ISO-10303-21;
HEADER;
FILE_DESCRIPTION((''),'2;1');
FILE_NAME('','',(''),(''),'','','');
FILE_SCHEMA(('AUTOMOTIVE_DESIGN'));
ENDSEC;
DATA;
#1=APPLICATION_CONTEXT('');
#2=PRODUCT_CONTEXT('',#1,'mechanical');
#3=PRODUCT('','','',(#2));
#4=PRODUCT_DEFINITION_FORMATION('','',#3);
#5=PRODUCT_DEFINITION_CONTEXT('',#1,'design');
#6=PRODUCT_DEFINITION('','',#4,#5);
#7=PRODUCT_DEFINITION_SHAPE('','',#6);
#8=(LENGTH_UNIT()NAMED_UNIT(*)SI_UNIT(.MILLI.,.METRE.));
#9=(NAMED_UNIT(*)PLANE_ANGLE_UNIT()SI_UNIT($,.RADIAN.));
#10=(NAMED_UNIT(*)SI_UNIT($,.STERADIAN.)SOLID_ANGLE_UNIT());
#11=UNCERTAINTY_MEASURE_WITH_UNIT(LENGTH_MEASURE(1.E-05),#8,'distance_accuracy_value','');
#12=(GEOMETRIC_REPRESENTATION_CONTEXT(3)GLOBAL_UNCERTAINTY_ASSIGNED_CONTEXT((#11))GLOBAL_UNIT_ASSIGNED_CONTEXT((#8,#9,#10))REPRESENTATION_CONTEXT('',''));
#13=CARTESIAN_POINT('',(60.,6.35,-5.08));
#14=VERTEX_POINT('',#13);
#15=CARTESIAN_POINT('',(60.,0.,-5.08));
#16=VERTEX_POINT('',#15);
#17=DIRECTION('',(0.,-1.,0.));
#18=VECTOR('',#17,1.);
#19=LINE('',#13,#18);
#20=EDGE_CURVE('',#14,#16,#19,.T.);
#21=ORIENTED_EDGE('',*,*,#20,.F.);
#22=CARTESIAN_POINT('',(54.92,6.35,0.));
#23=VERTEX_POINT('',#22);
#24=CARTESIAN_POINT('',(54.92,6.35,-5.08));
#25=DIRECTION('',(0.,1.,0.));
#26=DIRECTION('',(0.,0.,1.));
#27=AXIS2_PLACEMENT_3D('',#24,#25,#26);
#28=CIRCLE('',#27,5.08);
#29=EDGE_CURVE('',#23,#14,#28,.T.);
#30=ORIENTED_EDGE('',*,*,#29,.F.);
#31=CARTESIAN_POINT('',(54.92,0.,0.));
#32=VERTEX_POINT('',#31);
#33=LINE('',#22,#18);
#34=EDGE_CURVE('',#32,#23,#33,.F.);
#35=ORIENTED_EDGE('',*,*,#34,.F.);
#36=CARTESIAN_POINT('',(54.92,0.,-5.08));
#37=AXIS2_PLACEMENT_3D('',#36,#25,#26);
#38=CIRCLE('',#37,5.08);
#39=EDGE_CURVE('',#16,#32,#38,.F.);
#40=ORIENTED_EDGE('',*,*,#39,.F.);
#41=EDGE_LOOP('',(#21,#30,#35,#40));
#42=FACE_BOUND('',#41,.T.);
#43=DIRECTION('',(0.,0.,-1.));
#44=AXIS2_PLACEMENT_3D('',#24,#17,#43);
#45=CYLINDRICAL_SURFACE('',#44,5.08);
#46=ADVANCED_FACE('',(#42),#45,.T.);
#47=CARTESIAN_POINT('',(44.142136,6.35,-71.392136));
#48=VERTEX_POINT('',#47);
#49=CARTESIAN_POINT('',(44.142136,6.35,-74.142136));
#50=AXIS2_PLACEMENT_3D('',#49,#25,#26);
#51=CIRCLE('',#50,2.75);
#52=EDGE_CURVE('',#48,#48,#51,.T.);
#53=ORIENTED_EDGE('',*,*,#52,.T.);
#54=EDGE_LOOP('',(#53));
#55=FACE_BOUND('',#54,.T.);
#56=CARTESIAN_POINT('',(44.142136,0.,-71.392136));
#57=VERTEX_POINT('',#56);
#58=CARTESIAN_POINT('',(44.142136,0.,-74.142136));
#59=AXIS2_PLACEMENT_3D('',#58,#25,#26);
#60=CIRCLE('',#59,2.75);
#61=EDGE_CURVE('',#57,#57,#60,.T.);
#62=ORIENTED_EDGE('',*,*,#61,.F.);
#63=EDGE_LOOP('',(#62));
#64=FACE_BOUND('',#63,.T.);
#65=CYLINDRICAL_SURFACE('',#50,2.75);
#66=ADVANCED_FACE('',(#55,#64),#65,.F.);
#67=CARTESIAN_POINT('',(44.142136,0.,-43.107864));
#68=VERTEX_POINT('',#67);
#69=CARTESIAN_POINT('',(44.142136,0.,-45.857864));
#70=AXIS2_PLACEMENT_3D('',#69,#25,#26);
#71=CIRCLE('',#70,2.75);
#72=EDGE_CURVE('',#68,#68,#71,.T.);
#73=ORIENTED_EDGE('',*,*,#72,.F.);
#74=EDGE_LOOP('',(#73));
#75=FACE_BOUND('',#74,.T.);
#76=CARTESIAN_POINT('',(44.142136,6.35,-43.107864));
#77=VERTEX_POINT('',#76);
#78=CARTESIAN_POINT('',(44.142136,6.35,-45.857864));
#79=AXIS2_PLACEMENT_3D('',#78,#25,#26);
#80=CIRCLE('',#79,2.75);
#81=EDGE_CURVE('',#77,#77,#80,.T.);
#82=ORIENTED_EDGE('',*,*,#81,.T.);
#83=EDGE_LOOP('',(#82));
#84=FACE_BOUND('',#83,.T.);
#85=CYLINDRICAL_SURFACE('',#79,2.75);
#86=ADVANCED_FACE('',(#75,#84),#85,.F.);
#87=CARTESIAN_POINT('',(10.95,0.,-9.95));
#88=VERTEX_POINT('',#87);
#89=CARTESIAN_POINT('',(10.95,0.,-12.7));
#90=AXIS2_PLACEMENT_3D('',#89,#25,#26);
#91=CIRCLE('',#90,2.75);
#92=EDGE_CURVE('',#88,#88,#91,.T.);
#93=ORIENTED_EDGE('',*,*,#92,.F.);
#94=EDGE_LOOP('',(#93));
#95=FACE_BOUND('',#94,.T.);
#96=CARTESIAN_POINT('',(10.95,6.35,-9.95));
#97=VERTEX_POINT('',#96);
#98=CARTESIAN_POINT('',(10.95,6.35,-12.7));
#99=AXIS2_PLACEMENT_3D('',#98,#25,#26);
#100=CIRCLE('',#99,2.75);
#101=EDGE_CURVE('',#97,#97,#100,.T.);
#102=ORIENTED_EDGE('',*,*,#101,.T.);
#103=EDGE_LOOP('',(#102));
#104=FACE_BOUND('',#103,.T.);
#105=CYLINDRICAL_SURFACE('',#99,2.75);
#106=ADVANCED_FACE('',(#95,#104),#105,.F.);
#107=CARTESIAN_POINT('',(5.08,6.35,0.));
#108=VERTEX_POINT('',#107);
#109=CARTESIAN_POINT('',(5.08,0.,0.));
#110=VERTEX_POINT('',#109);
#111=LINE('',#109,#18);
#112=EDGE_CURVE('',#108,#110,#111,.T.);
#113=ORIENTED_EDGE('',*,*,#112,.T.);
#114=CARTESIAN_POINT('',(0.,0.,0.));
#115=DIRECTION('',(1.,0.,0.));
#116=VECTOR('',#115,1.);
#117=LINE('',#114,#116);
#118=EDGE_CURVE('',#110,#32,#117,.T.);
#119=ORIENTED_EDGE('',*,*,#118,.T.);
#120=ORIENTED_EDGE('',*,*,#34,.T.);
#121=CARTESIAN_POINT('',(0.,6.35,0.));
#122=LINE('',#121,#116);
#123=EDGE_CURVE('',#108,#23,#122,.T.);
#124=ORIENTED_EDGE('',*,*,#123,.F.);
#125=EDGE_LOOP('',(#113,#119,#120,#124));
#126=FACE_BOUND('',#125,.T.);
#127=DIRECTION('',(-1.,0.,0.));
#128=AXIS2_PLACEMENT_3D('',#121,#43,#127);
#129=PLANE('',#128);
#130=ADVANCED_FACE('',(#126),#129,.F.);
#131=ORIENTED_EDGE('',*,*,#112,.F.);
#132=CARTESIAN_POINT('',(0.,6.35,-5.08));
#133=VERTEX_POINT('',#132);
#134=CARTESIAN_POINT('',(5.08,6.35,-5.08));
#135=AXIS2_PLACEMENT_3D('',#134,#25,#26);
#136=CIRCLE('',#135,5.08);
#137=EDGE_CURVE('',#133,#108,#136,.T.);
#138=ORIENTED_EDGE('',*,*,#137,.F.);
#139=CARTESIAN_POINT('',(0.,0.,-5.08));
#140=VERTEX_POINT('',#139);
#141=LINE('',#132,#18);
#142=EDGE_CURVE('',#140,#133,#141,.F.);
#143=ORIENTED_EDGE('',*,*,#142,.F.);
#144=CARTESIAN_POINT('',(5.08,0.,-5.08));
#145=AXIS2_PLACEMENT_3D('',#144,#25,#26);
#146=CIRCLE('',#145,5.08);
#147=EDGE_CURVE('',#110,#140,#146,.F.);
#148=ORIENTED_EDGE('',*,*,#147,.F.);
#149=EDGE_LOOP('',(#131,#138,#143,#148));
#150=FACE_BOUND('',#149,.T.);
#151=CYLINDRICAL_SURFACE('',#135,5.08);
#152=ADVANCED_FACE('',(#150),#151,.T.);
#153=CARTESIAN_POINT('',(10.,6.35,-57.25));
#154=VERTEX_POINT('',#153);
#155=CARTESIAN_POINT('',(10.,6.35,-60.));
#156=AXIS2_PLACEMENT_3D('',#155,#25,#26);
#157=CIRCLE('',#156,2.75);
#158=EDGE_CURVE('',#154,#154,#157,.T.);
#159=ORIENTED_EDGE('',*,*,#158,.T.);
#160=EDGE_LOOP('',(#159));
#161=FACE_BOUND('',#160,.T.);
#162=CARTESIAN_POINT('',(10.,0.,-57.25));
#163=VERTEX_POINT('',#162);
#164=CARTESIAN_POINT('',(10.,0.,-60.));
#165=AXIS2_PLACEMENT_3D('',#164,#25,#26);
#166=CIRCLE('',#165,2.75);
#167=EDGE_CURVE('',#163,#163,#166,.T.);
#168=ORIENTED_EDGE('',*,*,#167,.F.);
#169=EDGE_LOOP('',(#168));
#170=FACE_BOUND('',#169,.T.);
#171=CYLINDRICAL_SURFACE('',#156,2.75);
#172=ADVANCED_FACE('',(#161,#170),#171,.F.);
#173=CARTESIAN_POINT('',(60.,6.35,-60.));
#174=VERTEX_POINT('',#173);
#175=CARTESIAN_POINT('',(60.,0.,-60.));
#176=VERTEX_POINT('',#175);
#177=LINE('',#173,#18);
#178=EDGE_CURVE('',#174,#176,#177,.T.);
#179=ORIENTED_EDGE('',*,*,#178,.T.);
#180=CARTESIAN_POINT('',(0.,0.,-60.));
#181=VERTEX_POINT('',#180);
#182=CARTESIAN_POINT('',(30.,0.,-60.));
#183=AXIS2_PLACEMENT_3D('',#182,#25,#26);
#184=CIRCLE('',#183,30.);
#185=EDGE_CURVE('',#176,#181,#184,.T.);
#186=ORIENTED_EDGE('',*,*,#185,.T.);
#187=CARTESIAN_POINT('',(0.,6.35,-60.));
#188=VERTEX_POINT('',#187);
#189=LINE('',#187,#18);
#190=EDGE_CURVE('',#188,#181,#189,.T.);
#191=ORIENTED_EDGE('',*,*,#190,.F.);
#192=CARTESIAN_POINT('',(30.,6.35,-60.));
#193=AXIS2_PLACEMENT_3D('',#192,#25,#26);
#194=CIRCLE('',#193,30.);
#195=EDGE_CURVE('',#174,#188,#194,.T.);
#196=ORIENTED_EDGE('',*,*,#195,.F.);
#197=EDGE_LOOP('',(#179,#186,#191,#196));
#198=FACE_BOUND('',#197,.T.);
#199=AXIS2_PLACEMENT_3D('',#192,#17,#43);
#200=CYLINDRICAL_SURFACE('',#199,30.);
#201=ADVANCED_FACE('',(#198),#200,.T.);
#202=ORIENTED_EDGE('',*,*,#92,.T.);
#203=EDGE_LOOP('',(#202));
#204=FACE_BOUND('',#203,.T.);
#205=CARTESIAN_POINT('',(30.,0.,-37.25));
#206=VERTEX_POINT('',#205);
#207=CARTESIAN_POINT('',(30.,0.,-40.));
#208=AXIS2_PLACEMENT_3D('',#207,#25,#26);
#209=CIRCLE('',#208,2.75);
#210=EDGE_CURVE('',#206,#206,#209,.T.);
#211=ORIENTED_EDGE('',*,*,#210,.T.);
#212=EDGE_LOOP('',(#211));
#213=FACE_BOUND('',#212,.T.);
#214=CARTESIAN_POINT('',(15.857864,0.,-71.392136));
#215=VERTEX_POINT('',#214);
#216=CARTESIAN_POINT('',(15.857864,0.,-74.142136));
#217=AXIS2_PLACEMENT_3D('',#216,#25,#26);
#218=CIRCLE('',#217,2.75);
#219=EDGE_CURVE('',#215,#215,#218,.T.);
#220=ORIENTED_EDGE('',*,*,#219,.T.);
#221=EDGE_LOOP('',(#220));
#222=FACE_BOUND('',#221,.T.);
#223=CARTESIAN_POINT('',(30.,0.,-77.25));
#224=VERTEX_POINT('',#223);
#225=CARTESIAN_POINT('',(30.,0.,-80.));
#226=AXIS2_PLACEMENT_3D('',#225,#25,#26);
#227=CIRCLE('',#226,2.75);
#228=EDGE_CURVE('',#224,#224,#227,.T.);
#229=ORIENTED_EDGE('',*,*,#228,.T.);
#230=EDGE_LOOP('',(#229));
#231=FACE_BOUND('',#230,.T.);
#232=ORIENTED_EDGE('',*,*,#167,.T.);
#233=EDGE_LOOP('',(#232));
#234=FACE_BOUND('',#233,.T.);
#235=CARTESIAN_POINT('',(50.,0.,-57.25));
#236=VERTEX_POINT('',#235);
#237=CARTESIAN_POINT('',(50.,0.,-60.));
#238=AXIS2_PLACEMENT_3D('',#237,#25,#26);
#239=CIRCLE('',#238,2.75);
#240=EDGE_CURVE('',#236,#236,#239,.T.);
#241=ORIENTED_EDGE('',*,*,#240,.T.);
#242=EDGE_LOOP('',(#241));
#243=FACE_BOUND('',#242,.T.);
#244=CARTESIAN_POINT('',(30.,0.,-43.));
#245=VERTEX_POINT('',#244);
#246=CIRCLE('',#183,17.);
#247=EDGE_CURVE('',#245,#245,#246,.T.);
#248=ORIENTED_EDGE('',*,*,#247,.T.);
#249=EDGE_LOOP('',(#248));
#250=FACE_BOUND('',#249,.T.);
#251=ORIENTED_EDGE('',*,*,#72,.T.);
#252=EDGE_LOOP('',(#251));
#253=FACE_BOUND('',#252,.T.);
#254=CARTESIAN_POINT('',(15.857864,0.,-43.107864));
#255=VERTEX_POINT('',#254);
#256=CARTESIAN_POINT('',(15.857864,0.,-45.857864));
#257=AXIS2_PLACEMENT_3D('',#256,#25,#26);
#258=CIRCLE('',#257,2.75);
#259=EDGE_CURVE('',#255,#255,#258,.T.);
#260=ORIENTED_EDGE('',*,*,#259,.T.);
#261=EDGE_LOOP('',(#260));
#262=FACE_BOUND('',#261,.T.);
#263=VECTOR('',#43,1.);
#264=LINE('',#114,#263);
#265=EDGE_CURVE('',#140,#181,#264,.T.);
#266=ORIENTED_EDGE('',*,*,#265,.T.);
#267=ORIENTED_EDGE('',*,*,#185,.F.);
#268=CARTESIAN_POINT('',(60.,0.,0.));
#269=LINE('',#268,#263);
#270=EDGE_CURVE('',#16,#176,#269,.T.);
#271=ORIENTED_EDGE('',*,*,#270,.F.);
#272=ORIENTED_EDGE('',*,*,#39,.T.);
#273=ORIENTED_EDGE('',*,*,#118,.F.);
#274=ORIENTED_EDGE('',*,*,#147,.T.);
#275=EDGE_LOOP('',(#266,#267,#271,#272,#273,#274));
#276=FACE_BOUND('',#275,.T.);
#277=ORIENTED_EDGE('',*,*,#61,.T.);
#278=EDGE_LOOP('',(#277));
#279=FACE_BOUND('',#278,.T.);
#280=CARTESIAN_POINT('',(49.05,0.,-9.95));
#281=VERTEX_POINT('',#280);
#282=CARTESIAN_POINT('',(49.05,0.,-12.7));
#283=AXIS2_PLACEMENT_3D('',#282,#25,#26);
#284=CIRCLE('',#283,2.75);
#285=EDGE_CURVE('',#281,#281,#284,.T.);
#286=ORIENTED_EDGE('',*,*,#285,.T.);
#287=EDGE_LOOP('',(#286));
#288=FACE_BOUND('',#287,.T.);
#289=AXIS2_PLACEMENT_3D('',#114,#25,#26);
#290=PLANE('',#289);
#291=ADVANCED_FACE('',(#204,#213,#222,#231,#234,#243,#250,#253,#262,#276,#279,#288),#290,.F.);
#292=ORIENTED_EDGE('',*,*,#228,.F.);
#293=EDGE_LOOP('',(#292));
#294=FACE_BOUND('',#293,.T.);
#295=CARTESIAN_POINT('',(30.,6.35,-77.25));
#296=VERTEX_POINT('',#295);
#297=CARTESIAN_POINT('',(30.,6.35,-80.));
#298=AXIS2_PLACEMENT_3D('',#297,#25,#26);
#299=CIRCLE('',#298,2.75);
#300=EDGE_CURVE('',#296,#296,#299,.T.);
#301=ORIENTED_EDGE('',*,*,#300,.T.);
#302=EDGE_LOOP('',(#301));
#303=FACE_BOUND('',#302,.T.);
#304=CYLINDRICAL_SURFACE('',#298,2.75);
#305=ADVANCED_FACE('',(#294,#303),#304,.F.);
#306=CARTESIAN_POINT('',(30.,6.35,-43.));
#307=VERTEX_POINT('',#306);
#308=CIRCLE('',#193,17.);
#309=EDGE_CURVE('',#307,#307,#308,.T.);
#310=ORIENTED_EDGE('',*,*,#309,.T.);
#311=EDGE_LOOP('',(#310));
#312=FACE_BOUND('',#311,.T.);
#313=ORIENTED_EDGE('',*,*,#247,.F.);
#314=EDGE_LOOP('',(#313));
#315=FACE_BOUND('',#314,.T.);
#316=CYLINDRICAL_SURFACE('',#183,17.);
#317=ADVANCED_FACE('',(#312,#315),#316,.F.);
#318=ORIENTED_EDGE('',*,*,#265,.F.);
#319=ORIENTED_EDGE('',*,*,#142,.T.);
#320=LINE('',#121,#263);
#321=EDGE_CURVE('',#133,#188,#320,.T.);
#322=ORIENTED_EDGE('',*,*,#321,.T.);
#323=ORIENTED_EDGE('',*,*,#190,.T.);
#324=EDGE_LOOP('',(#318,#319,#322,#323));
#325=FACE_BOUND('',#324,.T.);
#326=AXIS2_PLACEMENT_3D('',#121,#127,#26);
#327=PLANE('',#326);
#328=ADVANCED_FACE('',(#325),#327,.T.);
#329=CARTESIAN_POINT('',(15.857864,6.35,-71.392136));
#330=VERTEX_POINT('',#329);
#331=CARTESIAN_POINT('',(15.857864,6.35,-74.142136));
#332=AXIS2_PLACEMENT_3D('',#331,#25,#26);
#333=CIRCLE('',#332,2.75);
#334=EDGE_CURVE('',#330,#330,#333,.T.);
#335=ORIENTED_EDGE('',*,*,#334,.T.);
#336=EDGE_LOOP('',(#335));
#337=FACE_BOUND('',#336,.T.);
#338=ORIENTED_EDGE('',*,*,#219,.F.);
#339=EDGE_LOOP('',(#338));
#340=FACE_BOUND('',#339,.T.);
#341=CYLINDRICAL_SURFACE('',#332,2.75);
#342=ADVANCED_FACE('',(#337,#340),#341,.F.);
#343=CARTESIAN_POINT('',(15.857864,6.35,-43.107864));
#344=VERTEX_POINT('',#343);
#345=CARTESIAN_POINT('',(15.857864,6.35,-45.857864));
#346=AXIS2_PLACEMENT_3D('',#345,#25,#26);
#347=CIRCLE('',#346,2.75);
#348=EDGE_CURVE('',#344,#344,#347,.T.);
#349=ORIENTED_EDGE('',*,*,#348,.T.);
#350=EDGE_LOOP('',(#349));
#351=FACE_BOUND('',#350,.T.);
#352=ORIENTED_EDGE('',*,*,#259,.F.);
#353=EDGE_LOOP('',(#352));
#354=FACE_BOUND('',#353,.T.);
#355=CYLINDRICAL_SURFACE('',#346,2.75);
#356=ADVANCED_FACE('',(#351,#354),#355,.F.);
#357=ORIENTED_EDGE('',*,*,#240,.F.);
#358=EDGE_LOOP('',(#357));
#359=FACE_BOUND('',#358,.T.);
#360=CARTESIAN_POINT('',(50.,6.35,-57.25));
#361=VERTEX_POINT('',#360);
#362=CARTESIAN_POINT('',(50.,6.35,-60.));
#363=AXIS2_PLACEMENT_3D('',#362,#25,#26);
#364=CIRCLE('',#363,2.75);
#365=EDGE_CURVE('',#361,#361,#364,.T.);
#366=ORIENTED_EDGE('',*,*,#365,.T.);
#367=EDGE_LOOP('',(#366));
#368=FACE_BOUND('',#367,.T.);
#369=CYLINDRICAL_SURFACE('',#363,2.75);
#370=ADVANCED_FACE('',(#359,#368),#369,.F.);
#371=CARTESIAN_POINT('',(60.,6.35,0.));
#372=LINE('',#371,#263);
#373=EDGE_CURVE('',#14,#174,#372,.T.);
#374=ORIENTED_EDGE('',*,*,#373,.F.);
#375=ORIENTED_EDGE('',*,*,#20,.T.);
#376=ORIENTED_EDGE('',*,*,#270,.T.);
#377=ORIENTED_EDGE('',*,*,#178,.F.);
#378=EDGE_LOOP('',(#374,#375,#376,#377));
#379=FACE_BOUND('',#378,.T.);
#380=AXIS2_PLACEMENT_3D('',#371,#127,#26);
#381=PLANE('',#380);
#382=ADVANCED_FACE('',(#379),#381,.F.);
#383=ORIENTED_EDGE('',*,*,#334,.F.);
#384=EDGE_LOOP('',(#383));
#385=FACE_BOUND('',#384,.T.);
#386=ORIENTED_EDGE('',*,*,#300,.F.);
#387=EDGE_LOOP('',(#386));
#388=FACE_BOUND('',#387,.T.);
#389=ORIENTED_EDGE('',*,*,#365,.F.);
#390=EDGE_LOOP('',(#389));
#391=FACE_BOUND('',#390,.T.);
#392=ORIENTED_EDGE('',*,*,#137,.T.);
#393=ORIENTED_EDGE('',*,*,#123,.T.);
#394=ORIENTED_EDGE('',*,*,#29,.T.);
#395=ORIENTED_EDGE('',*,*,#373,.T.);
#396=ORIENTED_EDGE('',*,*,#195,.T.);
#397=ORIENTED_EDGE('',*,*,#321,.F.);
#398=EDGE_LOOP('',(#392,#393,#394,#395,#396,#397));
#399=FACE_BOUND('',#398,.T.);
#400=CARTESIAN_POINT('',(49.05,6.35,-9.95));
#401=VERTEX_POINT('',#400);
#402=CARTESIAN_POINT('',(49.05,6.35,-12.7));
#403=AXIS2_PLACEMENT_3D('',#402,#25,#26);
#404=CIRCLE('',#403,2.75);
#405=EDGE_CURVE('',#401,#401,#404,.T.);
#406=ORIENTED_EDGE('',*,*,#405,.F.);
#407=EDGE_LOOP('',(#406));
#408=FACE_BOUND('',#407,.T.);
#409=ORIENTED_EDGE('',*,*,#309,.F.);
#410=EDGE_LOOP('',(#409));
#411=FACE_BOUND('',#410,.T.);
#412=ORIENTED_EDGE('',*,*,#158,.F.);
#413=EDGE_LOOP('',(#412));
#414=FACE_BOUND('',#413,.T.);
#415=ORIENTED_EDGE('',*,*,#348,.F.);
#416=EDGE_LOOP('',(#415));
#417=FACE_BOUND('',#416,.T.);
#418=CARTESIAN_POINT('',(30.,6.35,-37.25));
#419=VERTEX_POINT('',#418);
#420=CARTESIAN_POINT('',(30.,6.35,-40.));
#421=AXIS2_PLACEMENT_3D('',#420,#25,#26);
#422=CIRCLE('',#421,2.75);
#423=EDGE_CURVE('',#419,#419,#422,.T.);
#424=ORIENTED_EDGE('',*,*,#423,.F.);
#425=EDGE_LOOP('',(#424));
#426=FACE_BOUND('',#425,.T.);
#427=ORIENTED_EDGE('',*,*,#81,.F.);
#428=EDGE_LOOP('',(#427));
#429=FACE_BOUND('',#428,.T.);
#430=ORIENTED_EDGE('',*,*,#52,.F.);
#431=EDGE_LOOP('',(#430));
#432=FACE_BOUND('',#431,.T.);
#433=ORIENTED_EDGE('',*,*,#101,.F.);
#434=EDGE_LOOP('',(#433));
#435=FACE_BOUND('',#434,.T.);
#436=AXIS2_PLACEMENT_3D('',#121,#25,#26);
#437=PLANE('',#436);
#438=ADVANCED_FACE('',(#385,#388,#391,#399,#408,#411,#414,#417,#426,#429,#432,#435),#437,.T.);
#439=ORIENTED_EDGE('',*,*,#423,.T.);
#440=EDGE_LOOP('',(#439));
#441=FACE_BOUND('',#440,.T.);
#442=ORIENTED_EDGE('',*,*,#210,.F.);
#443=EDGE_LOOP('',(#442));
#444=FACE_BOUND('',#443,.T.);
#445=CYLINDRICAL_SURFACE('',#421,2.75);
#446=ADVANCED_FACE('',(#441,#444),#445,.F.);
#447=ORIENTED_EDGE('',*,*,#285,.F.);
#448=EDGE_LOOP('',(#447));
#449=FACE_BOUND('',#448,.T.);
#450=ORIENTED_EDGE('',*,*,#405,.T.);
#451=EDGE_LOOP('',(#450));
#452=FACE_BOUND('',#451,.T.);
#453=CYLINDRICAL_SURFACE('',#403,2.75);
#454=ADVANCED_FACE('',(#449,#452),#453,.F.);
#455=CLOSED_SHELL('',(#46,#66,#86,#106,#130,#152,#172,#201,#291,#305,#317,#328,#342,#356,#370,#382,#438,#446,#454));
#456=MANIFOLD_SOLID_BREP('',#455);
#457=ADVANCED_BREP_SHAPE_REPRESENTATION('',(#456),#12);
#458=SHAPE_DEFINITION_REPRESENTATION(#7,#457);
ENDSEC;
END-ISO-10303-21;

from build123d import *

# Parameters (mm, degrees)
BOSS_EXTRUDE1_DEPTH  = 6.35
SKETCH2_R            = 17
CUT_EXTRUDE1_DEPTH   = 109.352768769
M5_CLEARANCE_HOLE1_D = 5.5
M5_CLEARANCE_HOLE2_D = 5.5
FILLET1_R            = 5.08


with BuildPart() as part:
    # Sketch1 → Boss-Extrude1 (new body)
    with BuildSketch(Plane(origin=(0, 0, 0), x_dir=(1, 0, 0), z_dir=(0, 1, 0))):
        with BuildLine():
            Line((0, 60), (0, 0))
            Line((0, 0), (60, 0))
            Line((60, 0), (60, 60))
            ThreePointArc((60, 60), (30, 90), (0, 60))
        make_face()
    extrude(amount=BOSS_EXTRUDE1_DEPTH)

    # Sketch2 → Cut-Extrude1 (cut, through all)
    with BuildSketch(Plane(origin=(0, 6.35, 0), x_dir=(1, 0, 0), z_dir=(0, 1, 0))):
        with Locations(Location((30, 60, 0), (0, 0, 270))):
            Circle(SKETCH2_R)
    extrude(amount=-CUT_EXTRUDE1_DEPTH, mode=Mode.SUBTRACT)

    # M5 Clearance Hole1 (through all)
    with Locations(Plane(origin=(0, 6.35, 0), x_dir=(-1, 0, 0), z_dir=(0, 1, 0))):
        with Locations((-15.857864376, -74.142135624), (-44.142135624, -45.857864376), (-44.142135624, -74.142135624), (-15.857864376, -45.857864376), (-30, -80), (-50, -60), (-30, -40), (-10, -60)):
            Hole(M5_CLEARANCE_HOLE1_D / 2)

    # M5 Clearance Hole2 (through all)
    with Locations(Plane(origin=(0, 6.35, 0), x_dir=(-1, 0, 0), z_dir=(0, 1, 0))):
        with Locations((-10.95, -12.7), (-49.05, -12.7)):
            Hole(M5_CLEARANCE_HOLE2_D / 2)

    # Fillet1
    fillet1_edges = [part.edges().sort_by_distance(p)[0] for p in [
        (60, 3.175, 0),
        (0, 3.175, 0),
    ]]
    fillet(fillet1_edges, radius=FILLET1_R)


solid = part.part
